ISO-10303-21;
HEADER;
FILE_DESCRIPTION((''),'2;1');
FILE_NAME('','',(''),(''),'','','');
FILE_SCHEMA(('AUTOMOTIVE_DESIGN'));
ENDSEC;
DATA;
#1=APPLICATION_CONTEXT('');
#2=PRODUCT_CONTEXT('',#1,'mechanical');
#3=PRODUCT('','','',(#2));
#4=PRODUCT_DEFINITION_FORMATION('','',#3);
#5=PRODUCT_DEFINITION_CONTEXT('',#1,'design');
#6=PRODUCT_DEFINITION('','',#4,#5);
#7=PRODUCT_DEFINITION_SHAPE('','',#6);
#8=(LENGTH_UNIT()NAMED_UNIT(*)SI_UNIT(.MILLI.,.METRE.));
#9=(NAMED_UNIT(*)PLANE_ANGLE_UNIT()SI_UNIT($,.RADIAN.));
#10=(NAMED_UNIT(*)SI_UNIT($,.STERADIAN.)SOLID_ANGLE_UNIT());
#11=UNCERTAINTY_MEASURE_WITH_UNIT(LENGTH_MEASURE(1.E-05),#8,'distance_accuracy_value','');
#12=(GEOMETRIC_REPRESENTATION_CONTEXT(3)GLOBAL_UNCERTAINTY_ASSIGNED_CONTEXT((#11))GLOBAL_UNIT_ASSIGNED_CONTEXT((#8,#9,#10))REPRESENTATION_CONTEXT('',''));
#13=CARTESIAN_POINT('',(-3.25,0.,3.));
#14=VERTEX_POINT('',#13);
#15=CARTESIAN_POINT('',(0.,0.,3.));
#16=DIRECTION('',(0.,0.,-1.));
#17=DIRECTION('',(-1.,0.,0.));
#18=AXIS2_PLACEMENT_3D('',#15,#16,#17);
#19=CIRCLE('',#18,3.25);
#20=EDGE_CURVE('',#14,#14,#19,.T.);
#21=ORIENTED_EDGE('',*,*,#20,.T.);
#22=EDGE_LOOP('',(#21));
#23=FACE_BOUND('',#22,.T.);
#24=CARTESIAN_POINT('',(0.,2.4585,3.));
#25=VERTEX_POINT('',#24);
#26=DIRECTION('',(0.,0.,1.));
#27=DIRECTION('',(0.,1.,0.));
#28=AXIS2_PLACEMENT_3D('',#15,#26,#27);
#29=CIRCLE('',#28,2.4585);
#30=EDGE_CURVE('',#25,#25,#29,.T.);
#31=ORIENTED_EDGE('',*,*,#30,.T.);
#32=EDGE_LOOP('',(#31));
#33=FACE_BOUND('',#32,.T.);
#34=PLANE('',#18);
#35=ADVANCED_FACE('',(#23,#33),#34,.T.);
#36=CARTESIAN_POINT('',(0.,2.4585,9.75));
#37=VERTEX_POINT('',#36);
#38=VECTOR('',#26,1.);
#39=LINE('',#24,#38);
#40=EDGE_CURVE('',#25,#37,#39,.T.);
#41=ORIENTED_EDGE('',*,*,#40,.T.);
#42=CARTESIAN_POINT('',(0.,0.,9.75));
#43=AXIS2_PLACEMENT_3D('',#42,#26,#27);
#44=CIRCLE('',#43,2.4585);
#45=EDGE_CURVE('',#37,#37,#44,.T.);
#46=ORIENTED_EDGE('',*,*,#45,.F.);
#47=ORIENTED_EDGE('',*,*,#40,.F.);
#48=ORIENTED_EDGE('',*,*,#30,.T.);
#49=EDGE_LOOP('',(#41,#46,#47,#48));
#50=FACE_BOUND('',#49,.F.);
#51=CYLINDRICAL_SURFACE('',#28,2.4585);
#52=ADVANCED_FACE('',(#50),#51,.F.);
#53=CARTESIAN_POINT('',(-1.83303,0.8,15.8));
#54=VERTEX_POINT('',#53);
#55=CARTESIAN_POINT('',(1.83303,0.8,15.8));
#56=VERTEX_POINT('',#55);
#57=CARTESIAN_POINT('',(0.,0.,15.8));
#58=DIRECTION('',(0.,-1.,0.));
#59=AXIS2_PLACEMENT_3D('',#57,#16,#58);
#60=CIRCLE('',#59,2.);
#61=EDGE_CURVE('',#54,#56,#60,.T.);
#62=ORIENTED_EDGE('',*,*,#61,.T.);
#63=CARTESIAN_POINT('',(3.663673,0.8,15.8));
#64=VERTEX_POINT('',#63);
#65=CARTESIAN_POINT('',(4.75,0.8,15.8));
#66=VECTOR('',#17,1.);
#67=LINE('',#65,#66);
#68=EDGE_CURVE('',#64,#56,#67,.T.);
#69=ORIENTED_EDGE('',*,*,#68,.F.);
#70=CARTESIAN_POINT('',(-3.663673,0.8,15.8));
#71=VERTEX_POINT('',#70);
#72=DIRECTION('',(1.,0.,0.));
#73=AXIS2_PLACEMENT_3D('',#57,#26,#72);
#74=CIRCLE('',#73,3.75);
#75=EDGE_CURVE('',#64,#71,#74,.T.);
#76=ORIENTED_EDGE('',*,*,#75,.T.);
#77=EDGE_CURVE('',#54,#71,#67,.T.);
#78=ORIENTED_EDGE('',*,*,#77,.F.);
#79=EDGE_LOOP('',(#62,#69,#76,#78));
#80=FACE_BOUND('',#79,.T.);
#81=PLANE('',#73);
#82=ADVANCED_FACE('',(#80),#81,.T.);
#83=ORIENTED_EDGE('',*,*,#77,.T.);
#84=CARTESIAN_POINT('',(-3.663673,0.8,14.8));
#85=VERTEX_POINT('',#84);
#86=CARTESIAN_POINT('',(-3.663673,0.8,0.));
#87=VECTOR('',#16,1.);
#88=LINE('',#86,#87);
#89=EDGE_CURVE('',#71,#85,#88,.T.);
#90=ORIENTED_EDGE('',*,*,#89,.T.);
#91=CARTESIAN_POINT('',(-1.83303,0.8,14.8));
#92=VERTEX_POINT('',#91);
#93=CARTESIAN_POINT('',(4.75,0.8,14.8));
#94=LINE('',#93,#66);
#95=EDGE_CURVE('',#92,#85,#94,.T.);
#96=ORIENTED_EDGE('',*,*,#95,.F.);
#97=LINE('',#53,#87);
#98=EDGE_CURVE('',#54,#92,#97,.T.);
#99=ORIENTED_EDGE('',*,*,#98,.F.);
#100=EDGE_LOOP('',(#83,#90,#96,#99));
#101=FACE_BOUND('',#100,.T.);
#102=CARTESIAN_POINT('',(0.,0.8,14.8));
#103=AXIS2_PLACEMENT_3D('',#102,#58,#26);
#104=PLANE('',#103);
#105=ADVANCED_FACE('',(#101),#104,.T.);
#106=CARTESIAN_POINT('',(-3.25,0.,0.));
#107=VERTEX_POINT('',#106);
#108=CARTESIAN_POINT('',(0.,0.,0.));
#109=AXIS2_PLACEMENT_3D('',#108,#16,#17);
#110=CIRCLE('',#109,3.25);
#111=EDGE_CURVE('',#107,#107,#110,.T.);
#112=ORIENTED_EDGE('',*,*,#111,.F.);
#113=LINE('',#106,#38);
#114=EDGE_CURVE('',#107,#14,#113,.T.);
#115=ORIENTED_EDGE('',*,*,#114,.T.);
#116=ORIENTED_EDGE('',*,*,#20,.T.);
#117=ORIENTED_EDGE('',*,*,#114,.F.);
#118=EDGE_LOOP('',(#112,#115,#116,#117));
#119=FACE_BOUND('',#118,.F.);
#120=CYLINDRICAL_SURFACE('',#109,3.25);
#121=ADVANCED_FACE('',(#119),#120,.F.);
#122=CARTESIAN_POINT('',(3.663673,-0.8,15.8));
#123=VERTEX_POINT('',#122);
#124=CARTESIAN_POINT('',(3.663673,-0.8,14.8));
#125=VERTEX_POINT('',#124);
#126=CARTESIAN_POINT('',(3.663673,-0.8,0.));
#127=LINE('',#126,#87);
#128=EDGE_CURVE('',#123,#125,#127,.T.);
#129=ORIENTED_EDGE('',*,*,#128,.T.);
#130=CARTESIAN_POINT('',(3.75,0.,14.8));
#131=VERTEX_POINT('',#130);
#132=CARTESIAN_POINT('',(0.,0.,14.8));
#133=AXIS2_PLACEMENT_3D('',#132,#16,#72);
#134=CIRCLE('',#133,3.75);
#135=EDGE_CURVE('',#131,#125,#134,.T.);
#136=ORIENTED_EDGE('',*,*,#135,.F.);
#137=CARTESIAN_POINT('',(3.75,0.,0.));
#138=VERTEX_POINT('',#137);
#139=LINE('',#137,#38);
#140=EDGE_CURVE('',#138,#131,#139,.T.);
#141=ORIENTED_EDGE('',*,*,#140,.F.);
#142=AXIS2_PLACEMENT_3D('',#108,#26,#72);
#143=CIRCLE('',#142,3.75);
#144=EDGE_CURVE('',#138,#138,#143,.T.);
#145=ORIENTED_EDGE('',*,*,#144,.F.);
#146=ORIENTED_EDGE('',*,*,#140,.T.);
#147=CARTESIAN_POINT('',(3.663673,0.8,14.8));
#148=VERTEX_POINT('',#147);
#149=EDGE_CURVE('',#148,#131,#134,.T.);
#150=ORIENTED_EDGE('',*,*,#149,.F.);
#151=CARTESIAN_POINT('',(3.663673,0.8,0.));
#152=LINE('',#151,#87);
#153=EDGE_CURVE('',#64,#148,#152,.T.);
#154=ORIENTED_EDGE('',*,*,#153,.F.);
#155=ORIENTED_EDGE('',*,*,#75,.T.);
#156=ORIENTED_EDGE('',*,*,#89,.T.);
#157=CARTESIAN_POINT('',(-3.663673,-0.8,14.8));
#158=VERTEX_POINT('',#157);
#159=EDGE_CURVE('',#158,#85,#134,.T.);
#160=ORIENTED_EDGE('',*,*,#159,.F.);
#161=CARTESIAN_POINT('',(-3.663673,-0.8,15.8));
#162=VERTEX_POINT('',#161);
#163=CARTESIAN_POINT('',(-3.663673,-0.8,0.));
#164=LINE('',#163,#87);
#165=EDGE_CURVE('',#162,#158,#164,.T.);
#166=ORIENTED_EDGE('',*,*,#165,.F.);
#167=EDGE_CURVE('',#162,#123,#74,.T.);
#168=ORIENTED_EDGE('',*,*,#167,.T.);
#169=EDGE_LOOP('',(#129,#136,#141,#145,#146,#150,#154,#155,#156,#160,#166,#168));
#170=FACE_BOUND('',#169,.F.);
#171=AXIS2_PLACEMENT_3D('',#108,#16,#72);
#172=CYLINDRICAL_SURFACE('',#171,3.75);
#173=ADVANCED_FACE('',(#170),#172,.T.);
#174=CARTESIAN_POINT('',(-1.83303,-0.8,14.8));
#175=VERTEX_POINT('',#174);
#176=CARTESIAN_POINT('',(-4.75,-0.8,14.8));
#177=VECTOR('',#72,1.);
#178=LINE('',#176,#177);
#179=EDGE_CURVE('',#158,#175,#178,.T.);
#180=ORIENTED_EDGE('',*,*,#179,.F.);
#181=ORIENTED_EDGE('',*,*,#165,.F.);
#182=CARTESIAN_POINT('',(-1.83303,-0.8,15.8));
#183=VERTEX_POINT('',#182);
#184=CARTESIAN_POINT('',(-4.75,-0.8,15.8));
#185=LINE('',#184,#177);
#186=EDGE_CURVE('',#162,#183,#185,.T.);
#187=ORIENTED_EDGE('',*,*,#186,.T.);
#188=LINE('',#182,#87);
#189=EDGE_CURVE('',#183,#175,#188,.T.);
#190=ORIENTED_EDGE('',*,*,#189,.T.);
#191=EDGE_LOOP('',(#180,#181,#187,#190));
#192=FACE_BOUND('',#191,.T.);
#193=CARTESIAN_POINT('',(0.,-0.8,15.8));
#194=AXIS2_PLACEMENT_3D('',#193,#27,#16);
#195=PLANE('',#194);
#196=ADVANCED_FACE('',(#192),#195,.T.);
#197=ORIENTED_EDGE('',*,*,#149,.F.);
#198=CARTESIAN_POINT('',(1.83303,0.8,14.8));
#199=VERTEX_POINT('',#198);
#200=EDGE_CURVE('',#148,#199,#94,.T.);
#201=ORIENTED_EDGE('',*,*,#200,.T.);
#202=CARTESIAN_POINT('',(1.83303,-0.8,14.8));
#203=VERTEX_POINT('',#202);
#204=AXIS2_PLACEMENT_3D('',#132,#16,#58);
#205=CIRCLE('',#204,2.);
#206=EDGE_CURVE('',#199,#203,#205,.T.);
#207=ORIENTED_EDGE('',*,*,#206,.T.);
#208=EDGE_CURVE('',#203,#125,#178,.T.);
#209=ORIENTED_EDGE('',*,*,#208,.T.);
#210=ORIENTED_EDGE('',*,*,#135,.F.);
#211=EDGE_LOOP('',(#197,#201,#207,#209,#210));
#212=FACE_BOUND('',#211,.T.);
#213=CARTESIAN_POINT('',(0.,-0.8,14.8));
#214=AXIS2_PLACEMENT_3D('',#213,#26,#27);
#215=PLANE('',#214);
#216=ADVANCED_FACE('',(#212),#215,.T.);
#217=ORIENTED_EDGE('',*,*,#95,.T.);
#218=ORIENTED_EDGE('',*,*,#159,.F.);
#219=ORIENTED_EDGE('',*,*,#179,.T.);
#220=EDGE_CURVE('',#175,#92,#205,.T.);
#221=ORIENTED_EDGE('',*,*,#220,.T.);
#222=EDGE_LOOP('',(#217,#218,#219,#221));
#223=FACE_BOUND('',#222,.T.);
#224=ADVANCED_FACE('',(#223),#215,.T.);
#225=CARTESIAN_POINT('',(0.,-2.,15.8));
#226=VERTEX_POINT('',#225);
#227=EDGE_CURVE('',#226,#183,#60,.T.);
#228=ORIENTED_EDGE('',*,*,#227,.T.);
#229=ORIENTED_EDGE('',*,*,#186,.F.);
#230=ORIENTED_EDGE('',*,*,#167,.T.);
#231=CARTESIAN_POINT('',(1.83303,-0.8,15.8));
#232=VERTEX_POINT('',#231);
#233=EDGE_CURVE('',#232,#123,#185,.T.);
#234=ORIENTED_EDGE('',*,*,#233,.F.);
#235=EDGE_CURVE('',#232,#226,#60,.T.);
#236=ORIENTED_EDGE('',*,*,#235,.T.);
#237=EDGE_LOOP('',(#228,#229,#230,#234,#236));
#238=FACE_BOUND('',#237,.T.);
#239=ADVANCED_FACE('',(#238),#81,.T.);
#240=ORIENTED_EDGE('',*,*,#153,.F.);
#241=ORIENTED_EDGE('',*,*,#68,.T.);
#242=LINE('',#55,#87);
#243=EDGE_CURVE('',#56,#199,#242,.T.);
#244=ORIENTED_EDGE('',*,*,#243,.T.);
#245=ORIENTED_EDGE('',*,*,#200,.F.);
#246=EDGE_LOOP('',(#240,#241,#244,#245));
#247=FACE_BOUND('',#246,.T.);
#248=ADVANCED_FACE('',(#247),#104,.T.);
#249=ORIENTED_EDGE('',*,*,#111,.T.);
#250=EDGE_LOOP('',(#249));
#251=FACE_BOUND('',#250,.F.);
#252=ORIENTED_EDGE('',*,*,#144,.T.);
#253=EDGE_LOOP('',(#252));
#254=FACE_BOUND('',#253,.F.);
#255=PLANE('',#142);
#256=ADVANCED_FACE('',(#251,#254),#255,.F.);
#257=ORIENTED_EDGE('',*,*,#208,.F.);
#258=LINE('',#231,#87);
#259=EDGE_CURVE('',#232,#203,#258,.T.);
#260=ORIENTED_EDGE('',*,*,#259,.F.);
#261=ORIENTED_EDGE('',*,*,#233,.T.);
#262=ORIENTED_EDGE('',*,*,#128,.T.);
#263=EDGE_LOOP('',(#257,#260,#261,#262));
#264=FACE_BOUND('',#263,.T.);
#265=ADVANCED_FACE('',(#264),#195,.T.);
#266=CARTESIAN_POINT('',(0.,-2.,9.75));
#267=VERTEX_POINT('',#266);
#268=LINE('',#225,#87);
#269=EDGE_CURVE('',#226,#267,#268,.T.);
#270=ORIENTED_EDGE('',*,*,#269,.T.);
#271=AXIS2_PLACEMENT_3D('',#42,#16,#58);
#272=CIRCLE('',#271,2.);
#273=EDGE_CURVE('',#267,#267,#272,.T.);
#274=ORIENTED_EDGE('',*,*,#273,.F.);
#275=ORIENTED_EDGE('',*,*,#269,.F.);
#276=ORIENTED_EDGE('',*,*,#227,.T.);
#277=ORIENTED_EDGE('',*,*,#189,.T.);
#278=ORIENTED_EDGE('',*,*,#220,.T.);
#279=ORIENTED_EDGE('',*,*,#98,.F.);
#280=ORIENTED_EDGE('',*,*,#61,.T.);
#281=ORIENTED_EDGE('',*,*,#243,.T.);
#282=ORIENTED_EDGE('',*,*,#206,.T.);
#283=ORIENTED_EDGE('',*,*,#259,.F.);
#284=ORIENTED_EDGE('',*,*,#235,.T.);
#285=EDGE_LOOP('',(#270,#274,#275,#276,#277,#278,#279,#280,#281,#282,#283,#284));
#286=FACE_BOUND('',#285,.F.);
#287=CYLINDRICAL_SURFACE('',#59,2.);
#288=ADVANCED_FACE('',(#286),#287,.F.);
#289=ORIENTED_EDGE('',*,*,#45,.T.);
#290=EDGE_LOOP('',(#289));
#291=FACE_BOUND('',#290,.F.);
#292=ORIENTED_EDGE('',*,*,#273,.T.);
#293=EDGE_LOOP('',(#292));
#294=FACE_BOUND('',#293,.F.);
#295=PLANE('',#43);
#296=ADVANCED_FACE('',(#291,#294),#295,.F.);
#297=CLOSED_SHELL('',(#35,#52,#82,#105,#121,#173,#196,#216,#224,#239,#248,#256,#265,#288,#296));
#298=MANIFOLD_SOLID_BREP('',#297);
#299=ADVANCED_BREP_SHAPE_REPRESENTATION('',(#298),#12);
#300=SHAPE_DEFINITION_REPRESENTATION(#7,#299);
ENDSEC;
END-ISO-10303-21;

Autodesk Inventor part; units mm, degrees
ref_plane "YZ Plane" through (0, 0, 0) normal (1, 0, 0) x (0, 1, 0)
ref_plane "XZ Plane" through (0, 0, 0) normal (0, 1, 0) x (-1, 0, 0)
ref_plane "XY Plane" through (0, 0, 0) normal (0, 0, 1) x (1, 0, 0)
sketch "Sketch1" plane through (0, 0, 0) normal (0, 0, 1) x (1, 0, 0)
  circle A0 centre (0, 0) radius 3.75
  dimension "d0" = 7.5
extrude "Extrusion1" add sketch "Sketch1" along normal blind 15.8
sketch "Sketch2" plane through (0, 0, 0) normal (0, 0, -1) x (-1, 0, 0)
  circle A0 centre (0, 0) radius 3.75 projected
  circle A1 centre (0, 0) radius 3.25
  dimension "d3" = 6.5
extrude "Extrusion2" cut sketch "Sketch2" against normal blind 3 contours A1
hole "Hole1" at (0, 0, 3) direction (0, 0, 1) diameter 4.917 depth 6.75 thread size "M6x1" class "6H" standard "ANSI Metric M Profile"
hole "Hole2" at (0, 0, 15.8) direction (0, 0, -1) diameter 4 end through all
sketch "Sketch3" plane through (0, 0, 0) normal (1, 0, 0) x (0, 1, 0)
  line L0 (-2, 15.8) -> (2, 15.8) projected
  line L1 (0.8, 15.8) -> (-0.8, 15.8)
  line L2 (-0.8, 15.8) -> (-0.8, 14.8)
  line L3 (-0.8, 14.8) -> (0.8, 14.8)
  line L4 (0.8, 14.8) -> (0.8, 15.8)
  point P0 (0, 0)
  point P1 (0, 15.8)
  dimension "d26" = 1.6
  dimension "d27" = 1
extrude "Extrusion3" cut sketch "Sketch3" along normal through all both and the other way through all
properties part number "308-10" material "PC/ABS Plastic"
